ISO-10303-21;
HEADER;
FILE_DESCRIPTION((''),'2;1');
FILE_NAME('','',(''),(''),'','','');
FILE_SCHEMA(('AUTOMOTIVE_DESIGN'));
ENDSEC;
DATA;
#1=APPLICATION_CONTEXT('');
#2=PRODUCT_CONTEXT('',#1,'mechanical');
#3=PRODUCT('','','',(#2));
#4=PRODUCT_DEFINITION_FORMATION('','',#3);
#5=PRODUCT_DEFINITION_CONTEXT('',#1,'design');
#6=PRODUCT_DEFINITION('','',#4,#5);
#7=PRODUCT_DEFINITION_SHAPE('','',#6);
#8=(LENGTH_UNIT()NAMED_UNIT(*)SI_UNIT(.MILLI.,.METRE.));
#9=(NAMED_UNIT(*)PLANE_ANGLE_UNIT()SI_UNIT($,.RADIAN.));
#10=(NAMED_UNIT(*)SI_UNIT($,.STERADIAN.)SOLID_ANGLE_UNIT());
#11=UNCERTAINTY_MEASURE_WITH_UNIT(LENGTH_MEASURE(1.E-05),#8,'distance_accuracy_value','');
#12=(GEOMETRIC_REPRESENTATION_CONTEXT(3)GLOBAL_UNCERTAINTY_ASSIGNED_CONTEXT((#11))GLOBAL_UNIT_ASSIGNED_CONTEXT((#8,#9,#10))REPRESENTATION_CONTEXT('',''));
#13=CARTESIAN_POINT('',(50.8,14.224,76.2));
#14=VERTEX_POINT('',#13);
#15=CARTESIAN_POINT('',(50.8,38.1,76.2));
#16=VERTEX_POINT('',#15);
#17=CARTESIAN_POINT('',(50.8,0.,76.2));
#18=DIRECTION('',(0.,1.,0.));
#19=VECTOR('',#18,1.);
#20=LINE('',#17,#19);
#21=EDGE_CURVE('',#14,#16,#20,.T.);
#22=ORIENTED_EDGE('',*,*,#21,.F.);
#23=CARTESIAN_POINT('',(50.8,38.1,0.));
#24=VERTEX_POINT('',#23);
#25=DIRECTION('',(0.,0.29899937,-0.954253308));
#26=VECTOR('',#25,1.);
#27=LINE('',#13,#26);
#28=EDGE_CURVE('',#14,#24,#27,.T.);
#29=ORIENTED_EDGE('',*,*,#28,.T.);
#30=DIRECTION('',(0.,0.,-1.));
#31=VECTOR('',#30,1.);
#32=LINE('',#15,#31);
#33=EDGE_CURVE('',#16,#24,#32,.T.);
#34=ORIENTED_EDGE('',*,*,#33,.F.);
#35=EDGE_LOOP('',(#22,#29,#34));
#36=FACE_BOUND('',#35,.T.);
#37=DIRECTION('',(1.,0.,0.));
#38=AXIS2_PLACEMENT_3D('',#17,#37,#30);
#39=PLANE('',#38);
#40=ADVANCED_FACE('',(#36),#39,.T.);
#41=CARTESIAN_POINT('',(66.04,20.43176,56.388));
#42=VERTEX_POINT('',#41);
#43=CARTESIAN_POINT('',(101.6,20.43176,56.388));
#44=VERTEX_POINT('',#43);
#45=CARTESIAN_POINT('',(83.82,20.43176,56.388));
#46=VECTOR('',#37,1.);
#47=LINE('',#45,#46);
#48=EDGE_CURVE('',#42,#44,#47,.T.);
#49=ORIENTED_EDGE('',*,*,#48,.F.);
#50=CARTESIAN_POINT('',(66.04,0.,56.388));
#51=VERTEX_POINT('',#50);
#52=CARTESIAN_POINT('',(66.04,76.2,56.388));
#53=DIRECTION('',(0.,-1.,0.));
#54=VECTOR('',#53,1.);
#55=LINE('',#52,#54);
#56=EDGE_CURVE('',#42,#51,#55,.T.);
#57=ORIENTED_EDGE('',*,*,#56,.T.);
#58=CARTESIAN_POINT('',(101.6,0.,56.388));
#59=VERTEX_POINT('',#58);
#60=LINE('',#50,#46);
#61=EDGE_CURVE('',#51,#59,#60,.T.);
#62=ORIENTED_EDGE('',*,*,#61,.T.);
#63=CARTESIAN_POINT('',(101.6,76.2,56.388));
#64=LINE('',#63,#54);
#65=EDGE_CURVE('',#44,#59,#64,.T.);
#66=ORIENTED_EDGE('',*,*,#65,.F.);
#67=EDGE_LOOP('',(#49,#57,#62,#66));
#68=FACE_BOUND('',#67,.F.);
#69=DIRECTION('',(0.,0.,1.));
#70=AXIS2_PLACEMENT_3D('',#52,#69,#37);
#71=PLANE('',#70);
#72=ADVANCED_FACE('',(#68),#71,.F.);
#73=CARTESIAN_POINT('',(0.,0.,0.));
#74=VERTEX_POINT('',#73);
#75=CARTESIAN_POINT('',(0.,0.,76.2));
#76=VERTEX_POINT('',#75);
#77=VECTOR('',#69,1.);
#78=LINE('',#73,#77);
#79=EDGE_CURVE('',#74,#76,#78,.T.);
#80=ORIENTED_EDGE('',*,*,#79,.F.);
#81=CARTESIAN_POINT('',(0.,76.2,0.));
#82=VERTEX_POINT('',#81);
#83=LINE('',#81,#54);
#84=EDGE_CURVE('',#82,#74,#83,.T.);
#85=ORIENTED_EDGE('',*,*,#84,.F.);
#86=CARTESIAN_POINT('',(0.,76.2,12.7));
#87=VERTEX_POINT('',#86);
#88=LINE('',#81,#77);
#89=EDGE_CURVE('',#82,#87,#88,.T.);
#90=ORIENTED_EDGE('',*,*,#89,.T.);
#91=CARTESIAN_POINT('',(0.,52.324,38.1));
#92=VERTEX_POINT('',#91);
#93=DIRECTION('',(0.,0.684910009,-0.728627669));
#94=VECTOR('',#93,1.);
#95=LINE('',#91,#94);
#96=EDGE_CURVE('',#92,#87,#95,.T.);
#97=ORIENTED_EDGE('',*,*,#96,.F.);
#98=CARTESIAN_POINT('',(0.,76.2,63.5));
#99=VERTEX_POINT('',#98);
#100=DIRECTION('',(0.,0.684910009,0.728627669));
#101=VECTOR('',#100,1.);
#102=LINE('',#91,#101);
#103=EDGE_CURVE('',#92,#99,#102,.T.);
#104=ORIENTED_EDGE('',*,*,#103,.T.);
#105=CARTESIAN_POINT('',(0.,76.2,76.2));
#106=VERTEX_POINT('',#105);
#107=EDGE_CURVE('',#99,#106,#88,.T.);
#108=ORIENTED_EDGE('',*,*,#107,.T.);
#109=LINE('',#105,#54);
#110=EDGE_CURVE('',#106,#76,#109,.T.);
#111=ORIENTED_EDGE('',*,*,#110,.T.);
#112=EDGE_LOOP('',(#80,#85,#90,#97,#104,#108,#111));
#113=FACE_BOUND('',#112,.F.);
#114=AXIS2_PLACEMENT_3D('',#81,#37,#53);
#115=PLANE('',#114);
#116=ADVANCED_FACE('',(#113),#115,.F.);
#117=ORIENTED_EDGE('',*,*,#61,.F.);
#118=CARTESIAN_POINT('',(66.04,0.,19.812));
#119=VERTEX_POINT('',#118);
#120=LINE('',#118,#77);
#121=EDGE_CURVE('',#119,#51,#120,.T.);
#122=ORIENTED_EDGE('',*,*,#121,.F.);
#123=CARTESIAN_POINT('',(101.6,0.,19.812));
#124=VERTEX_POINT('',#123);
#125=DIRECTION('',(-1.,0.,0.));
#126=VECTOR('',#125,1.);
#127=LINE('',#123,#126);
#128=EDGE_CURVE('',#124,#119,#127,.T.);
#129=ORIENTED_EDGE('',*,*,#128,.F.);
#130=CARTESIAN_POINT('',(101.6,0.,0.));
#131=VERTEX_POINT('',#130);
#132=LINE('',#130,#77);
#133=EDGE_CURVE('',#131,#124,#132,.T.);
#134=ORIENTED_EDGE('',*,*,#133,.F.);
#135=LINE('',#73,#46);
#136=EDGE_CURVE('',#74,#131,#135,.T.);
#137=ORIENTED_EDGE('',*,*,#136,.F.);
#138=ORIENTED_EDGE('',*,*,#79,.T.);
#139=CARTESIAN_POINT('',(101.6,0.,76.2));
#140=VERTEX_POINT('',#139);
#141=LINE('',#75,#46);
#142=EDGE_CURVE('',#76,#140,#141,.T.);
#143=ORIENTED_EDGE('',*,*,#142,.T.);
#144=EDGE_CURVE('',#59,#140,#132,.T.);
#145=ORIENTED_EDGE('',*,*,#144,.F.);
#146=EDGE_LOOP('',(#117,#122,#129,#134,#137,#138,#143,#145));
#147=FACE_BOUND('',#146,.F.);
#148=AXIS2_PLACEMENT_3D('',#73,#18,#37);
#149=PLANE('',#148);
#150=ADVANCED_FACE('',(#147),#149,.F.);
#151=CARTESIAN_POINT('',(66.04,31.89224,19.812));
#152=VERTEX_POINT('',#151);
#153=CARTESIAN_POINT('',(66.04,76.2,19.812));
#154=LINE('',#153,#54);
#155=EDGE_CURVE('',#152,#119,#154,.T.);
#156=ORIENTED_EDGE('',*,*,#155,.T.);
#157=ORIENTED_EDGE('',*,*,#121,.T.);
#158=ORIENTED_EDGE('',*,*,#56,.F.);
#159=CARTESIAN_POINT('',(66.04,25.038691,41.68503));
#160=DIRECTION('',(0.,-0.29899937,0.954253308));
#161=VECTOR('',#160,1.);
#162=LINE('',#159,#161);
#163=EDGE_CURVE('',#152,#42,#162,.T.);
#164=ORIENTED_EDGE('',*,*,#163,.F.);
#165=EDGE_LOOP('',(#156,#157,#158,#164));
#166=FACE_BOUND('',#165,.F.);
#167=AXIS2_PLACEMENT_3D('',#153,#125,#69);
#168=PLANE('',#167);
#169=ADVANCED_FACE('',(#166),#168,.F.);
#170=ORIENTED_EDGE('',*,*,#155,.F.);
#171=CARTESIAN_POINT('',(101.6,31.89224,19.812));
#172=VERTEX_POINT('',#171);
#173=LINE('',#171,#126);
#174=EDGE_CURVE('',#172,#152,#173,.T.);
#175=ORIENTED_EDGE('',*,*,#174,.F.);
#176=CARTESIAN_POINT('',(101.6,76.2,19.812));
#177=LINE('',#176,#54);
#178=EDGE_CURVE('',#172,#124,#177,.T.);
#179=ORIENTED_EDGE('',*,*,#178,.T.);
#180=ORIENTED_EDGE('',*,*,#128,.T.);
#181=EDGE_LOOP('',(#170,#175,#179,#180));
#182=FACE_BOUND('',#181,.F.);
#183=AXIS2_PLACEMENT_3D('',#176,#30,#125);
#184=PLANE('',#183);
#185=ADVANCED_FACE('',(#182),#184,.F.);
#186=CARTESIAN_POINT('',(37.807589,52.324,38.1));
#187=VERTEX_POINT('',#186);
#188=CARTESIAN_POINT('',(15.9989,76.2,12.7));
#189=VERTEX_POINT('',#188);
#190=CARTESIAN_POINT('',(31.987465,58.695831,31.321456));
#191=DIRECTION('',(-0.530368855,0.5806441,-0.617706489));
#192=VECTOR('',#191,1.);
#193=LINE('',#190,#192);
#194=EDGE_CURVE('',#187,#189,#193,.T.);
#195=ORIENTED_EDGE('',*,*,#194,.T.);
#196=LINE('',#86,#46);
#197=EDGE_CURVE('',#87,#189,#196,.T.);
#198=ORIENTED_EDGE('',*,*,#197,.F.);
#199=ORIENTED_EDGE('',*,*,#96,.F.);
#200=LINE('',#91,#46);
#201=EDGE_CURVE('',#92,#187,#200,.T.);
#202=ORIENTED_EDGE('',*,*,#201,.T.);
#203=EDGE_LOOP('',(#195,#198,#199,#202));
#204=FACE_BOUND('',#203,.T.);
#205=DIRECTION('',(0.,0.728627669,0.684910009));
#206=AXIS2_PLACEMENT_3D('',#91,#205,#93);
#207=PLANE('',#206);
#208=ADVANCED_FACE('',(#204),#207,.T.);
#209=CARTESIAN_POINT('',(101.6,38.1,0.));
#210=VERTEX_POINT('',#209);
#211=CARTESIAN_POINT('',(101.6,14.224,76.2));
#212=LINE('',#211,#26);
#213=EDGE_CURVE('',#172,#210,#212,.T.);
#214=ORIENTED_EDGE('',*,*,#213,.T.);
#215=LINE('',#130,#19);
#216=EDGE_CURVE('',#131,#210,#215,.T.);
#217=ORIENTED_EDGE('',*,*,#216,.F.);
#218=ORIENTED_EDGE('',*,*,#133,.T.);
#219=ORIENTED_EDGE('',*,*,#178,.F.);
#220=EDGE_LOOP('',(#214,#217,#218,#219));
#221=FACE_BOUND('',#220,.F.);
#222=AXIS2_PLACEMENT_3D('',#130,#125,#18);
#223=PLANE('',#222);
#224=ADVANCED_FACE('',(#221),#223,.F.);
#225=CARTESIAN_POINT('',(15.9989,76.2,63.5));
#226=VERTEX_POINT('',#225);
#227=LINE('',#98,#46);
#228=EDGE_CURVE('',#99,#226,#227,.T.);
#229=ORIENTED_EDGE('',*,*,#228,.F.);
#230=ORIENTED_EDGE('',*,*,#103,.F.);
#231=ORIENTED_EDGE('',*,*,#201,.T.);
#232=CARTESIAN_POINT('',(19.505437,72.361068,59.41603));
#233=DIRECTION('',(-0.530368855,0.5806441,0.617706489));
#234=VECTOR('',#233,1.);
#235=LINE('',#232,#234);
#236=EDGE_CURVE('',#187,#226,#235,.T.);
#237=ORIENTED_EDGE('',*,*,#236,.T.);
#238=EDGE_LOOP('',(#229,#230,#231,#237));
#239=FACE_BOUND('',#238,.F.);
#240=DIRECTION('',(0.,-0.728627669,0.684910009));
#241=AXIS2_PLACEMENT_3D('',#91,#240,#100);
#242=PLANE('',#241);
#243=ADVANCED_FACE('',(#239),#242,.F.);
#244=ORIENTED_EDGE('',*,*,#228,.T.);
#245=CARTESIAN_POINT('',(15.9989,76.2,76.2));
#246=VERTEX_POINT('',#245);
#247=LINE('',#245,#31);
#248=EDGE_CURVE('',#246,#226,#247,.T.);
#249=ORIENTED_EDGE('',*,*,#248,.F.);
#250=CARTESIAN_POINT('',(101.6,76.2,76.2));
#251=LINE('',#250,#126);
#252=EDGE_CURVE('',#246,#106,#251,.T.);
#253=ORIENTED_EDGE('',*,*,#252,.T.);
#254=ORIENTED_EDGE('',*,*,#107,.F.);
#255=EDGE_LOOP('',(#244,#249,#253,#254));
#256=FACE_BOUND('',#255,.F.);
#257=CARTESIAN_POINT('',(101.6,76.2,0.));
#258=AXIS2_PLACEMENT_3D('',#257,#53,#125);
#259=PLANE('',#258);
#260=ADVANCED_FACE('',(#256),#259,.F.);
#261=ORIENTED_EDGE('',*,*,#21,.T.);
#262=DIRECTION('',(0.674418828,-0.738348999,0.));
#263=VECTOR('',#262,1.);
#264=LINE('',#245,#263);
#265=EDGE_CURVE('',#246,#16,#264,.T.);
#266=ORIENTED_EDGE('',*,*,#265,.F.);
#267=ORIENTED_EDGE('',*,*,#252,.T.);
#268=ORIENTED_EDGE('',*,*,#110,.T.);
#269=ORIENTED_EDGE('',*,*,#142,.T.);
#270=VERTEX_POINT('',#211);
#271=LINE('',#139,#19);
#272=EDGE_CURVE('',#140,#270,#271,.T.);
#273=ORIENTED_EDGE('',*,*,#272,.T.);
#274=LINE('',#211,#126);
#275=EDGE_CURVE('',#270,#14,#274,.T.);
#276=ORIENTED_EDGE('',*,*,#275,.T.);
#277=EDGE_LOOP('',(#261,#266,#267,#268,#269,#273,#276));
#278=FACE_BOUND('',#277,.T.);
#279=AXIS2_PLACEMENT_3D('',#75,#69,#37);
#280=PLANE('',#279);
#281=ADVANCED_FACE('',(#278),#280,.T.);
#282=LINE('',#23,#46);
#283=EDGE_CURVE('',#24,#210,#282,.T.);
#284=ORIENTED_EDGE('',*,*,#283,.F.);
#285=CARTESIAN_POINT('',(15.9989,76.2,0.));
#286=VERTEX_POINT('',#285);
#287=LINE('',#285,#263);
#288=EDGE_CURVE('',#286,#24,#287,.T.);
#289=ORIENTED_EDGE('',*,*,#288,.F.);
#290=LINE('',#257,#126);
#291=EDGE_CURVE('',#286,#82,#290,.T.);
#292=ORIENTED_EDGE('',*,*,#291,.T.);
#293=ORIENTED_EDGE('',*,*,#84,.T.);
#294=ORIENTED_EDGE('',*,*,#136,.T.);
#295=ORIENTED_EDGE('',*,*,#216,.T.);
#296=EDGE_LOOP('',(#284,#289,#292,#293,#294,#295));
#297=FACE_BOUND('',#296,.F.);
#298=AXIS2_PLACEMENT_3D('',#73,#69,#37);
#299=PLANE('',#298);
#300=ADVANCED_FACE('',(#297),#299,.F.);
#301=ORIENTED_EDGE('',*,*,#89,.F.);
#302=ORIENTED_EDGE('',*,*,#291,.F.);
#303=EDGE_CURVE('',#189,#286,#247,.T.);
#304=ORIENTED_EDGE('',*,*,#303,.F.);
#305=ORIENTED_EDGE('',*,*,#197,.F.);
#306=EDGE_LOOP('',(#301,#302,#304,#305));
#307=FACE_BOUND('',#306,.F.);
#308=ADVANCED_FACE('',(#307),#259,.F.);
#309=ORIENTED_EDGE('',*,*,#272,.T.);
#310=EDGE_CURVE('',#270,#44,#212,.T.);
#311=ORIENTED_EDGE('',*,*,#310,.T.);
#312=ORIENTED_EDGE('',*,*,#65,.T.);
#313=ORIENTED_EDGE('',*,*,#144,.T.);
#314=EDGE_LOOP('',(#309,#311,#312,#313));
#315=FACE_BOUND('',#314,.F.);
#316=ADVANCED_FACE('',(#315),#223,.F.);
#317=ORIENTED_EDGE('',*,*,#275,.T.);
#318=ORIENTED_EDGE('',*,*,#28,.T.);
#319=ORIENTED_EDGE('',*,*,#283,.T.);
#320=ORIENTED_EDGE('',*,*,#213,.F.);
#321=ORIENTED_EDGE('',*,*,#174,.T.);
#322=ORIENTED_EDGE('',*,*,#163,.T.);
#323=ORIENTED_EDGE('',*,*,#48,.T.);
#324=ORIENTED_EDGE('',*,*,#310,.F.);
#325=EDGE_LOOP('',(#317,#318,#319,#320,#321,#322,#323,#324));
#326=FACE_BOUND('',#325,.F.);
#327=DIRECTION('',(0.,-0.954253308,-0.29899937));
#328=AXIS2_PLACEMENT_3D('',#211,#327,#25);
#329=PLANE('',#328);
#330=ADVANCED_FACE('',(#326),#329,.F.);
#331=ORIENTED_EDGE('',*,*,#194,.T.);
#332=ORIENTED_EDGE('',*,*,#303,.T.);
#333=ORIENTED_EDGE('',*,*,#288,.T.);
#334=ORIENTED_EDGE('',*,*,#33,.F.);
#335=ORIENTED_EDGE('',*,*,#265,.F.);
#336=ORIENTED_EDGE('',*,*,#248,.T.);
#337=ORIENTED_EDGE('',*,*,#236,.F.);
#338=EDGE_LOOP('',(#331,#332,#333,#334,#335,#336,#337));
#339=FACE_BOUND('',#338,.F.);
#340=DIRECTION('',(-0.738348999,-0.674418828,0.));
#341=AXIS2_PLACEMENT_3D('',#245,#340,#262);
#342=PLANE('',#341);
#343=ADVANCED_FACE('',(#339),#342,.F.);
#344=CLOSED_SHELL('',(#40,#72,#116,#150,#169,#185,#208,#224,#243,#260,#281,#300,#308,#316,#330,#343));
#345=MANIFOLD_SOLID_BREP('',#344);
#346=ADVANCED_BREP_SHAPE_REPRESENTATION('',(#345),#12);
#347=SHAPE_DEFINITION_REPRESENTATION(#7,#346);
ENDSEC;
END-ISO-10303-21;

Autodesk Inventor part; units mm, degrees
ref_plane "YZ Plane" through (0, 0, 0) normal (1, 0, 0) x (0, 1, 0)
ref_plane "XZ Plane" through (0, 0, 0) normal (0, 1, 0) x (-1, 0, 0)
ref_plane "XY Plane" through (0, 0, 0) normal (0, 0, 1) x (1, 0, 0)
sketch "Sketch1" plane through (0, 0, 0) normal (0, 0, 1) x (1, 0, 0)
  line L0 (0, 0) -> (101.6, 0)
  line L1 (101.6, 0) -> (101.6, 76.2)
  line L2 (101.6, 76.2) -> (0, 76.2)
  line L3 (0, 76.2) -> (0, 0)
  dimension "d0" = 101.6
  dimension "d1" = 76.2
extrude "Extrusion1" add sketch "Sketch1" along normal blind 76.2
sketch "Sketch2" plane through (0, 76.2, 0) normal (0, 1, 0) x (1, 0, 0)
  line L0 (101.6, 0) -> (101.6, -76.2) projected
  line L1 (101.6, -19.812) -> (66.04, -19.812)
  line L2 (66.04, -19.812) -> (66.04, -56.388)
  line L3 (66.04, -56.388) -> (101.6, -56.388)
  line L4 (101.6, -56.388) -> (101.6, -19.812)
  point P0 (0, 0)
  dimension "d4" = 35.56
  dimension "d5" = 36.576
  dimension "d6" = 19.812
extrude "Extrusion2" cut sketch "Sketch2" against normal blind 76.2
sketch "Sketch3" plane through (0, 0, 76.2) normal (0, 0, 1) x (1, 0, 0)
  line L0 (0, 75.8832) -> (15.9989, 76.2)
  line L1 (101.6, 76.2) -> (0, 76.2) projected
  line L2 (66.04, 0) -> (101.6, 0) projected
  line L3 (101.6, 0) -> (50.8, 0)
  line L4 (101.6, 0) -> (101.6, 38.1)
  line L5 (101.6, 76.2) -> (101.6, 0) projected
  line L6 (50.8, 0) -> (50.8, 38.1)
  line L7 (15.9989, 76.2) -> (50.8, 38.1)
  line L8 (101.6, 38.1) -> (101.6, 90.7152)
  line L9 (101.6, 90.7152) -> (15.9989, 90.7152)
  line L10 (15.9989, 90.7152) -> (15.9989, 76.2)
  line L11 (50.8, 38.1) -> (101.6, 38.1)
  point P0 (0, 0)
  dimension "d9" = 16.002
  dimension "d10" = 50.8
  dimension "d11" = 38.1
extrude "Extrusion3" cut sketch "Sketch3" against normal blind 76.2 contours L5 L11 L7 L1
sketch "Sketch4" plane through (101.6, 0, 76.2) normal (1, 0, 0) x (0, 0, -1)
  line L0 (76.2, 38.1) -> (56.388, 38.1) projected
  line L1 (0, 0) -> (0, 38.1) projected
  line L2 (76.2, 38.1) -> (0, 38.1)
  line L3 (0, 38.1) -> (0, 14.224)
  line L4 (0, 14.224) -> (76.2, 38.1)
  point P0 (76.2, 0)
  dimension "d14" = 23.876
extrude "Extrusion4" cut sketch "Sketch4" against normal blind 50.8
sketch "Sketch5" plane through (0, 0, 0) normal (-1, 0, 0) x (0, 0, 1)
  point P0 (0, 0)
sketch "Sketch6" plane through (0, 0, 0) normal (-1, 0, 0) x (0, 0, 1)
  point P0 (0, 0)
sketch "Sketch7" plane through (0, 0, 0) normal (-1, 0, 0) x (0, 0, 1)
  line L0 (76.2, 76.2) -> (0, 76.2) projected
  line L1 (63.5, 76.2) -> (38.1, 76.2)
  line L2 (38.1, 76.2) -> (38.1, 52.324)
  line L3 (38.1, 52.324) -> (63.5, 76.2)
  line L4 (12.7, 76.2) -> (38.1, 76.2)
  line L5 (38.1, 52.324) -> (12.7, 76.2)
  line L6 (12.7, 76.2) -> (63.5, 76.2)
  point P0 (0, 0)
  dimension "d17" = 25.4
  dimension "d18" = 23.876
  dimension "d19" = 12.7
sketch "Sketch8" plane through (0, 0, 0) normal (-1, 0, 0) x (0, 0, 1)
  point P0 (0, 0)
extrude "Extrusion5" cut sketch "Sketch7" against normal blind 50.8
properties part number "orthographic2"
